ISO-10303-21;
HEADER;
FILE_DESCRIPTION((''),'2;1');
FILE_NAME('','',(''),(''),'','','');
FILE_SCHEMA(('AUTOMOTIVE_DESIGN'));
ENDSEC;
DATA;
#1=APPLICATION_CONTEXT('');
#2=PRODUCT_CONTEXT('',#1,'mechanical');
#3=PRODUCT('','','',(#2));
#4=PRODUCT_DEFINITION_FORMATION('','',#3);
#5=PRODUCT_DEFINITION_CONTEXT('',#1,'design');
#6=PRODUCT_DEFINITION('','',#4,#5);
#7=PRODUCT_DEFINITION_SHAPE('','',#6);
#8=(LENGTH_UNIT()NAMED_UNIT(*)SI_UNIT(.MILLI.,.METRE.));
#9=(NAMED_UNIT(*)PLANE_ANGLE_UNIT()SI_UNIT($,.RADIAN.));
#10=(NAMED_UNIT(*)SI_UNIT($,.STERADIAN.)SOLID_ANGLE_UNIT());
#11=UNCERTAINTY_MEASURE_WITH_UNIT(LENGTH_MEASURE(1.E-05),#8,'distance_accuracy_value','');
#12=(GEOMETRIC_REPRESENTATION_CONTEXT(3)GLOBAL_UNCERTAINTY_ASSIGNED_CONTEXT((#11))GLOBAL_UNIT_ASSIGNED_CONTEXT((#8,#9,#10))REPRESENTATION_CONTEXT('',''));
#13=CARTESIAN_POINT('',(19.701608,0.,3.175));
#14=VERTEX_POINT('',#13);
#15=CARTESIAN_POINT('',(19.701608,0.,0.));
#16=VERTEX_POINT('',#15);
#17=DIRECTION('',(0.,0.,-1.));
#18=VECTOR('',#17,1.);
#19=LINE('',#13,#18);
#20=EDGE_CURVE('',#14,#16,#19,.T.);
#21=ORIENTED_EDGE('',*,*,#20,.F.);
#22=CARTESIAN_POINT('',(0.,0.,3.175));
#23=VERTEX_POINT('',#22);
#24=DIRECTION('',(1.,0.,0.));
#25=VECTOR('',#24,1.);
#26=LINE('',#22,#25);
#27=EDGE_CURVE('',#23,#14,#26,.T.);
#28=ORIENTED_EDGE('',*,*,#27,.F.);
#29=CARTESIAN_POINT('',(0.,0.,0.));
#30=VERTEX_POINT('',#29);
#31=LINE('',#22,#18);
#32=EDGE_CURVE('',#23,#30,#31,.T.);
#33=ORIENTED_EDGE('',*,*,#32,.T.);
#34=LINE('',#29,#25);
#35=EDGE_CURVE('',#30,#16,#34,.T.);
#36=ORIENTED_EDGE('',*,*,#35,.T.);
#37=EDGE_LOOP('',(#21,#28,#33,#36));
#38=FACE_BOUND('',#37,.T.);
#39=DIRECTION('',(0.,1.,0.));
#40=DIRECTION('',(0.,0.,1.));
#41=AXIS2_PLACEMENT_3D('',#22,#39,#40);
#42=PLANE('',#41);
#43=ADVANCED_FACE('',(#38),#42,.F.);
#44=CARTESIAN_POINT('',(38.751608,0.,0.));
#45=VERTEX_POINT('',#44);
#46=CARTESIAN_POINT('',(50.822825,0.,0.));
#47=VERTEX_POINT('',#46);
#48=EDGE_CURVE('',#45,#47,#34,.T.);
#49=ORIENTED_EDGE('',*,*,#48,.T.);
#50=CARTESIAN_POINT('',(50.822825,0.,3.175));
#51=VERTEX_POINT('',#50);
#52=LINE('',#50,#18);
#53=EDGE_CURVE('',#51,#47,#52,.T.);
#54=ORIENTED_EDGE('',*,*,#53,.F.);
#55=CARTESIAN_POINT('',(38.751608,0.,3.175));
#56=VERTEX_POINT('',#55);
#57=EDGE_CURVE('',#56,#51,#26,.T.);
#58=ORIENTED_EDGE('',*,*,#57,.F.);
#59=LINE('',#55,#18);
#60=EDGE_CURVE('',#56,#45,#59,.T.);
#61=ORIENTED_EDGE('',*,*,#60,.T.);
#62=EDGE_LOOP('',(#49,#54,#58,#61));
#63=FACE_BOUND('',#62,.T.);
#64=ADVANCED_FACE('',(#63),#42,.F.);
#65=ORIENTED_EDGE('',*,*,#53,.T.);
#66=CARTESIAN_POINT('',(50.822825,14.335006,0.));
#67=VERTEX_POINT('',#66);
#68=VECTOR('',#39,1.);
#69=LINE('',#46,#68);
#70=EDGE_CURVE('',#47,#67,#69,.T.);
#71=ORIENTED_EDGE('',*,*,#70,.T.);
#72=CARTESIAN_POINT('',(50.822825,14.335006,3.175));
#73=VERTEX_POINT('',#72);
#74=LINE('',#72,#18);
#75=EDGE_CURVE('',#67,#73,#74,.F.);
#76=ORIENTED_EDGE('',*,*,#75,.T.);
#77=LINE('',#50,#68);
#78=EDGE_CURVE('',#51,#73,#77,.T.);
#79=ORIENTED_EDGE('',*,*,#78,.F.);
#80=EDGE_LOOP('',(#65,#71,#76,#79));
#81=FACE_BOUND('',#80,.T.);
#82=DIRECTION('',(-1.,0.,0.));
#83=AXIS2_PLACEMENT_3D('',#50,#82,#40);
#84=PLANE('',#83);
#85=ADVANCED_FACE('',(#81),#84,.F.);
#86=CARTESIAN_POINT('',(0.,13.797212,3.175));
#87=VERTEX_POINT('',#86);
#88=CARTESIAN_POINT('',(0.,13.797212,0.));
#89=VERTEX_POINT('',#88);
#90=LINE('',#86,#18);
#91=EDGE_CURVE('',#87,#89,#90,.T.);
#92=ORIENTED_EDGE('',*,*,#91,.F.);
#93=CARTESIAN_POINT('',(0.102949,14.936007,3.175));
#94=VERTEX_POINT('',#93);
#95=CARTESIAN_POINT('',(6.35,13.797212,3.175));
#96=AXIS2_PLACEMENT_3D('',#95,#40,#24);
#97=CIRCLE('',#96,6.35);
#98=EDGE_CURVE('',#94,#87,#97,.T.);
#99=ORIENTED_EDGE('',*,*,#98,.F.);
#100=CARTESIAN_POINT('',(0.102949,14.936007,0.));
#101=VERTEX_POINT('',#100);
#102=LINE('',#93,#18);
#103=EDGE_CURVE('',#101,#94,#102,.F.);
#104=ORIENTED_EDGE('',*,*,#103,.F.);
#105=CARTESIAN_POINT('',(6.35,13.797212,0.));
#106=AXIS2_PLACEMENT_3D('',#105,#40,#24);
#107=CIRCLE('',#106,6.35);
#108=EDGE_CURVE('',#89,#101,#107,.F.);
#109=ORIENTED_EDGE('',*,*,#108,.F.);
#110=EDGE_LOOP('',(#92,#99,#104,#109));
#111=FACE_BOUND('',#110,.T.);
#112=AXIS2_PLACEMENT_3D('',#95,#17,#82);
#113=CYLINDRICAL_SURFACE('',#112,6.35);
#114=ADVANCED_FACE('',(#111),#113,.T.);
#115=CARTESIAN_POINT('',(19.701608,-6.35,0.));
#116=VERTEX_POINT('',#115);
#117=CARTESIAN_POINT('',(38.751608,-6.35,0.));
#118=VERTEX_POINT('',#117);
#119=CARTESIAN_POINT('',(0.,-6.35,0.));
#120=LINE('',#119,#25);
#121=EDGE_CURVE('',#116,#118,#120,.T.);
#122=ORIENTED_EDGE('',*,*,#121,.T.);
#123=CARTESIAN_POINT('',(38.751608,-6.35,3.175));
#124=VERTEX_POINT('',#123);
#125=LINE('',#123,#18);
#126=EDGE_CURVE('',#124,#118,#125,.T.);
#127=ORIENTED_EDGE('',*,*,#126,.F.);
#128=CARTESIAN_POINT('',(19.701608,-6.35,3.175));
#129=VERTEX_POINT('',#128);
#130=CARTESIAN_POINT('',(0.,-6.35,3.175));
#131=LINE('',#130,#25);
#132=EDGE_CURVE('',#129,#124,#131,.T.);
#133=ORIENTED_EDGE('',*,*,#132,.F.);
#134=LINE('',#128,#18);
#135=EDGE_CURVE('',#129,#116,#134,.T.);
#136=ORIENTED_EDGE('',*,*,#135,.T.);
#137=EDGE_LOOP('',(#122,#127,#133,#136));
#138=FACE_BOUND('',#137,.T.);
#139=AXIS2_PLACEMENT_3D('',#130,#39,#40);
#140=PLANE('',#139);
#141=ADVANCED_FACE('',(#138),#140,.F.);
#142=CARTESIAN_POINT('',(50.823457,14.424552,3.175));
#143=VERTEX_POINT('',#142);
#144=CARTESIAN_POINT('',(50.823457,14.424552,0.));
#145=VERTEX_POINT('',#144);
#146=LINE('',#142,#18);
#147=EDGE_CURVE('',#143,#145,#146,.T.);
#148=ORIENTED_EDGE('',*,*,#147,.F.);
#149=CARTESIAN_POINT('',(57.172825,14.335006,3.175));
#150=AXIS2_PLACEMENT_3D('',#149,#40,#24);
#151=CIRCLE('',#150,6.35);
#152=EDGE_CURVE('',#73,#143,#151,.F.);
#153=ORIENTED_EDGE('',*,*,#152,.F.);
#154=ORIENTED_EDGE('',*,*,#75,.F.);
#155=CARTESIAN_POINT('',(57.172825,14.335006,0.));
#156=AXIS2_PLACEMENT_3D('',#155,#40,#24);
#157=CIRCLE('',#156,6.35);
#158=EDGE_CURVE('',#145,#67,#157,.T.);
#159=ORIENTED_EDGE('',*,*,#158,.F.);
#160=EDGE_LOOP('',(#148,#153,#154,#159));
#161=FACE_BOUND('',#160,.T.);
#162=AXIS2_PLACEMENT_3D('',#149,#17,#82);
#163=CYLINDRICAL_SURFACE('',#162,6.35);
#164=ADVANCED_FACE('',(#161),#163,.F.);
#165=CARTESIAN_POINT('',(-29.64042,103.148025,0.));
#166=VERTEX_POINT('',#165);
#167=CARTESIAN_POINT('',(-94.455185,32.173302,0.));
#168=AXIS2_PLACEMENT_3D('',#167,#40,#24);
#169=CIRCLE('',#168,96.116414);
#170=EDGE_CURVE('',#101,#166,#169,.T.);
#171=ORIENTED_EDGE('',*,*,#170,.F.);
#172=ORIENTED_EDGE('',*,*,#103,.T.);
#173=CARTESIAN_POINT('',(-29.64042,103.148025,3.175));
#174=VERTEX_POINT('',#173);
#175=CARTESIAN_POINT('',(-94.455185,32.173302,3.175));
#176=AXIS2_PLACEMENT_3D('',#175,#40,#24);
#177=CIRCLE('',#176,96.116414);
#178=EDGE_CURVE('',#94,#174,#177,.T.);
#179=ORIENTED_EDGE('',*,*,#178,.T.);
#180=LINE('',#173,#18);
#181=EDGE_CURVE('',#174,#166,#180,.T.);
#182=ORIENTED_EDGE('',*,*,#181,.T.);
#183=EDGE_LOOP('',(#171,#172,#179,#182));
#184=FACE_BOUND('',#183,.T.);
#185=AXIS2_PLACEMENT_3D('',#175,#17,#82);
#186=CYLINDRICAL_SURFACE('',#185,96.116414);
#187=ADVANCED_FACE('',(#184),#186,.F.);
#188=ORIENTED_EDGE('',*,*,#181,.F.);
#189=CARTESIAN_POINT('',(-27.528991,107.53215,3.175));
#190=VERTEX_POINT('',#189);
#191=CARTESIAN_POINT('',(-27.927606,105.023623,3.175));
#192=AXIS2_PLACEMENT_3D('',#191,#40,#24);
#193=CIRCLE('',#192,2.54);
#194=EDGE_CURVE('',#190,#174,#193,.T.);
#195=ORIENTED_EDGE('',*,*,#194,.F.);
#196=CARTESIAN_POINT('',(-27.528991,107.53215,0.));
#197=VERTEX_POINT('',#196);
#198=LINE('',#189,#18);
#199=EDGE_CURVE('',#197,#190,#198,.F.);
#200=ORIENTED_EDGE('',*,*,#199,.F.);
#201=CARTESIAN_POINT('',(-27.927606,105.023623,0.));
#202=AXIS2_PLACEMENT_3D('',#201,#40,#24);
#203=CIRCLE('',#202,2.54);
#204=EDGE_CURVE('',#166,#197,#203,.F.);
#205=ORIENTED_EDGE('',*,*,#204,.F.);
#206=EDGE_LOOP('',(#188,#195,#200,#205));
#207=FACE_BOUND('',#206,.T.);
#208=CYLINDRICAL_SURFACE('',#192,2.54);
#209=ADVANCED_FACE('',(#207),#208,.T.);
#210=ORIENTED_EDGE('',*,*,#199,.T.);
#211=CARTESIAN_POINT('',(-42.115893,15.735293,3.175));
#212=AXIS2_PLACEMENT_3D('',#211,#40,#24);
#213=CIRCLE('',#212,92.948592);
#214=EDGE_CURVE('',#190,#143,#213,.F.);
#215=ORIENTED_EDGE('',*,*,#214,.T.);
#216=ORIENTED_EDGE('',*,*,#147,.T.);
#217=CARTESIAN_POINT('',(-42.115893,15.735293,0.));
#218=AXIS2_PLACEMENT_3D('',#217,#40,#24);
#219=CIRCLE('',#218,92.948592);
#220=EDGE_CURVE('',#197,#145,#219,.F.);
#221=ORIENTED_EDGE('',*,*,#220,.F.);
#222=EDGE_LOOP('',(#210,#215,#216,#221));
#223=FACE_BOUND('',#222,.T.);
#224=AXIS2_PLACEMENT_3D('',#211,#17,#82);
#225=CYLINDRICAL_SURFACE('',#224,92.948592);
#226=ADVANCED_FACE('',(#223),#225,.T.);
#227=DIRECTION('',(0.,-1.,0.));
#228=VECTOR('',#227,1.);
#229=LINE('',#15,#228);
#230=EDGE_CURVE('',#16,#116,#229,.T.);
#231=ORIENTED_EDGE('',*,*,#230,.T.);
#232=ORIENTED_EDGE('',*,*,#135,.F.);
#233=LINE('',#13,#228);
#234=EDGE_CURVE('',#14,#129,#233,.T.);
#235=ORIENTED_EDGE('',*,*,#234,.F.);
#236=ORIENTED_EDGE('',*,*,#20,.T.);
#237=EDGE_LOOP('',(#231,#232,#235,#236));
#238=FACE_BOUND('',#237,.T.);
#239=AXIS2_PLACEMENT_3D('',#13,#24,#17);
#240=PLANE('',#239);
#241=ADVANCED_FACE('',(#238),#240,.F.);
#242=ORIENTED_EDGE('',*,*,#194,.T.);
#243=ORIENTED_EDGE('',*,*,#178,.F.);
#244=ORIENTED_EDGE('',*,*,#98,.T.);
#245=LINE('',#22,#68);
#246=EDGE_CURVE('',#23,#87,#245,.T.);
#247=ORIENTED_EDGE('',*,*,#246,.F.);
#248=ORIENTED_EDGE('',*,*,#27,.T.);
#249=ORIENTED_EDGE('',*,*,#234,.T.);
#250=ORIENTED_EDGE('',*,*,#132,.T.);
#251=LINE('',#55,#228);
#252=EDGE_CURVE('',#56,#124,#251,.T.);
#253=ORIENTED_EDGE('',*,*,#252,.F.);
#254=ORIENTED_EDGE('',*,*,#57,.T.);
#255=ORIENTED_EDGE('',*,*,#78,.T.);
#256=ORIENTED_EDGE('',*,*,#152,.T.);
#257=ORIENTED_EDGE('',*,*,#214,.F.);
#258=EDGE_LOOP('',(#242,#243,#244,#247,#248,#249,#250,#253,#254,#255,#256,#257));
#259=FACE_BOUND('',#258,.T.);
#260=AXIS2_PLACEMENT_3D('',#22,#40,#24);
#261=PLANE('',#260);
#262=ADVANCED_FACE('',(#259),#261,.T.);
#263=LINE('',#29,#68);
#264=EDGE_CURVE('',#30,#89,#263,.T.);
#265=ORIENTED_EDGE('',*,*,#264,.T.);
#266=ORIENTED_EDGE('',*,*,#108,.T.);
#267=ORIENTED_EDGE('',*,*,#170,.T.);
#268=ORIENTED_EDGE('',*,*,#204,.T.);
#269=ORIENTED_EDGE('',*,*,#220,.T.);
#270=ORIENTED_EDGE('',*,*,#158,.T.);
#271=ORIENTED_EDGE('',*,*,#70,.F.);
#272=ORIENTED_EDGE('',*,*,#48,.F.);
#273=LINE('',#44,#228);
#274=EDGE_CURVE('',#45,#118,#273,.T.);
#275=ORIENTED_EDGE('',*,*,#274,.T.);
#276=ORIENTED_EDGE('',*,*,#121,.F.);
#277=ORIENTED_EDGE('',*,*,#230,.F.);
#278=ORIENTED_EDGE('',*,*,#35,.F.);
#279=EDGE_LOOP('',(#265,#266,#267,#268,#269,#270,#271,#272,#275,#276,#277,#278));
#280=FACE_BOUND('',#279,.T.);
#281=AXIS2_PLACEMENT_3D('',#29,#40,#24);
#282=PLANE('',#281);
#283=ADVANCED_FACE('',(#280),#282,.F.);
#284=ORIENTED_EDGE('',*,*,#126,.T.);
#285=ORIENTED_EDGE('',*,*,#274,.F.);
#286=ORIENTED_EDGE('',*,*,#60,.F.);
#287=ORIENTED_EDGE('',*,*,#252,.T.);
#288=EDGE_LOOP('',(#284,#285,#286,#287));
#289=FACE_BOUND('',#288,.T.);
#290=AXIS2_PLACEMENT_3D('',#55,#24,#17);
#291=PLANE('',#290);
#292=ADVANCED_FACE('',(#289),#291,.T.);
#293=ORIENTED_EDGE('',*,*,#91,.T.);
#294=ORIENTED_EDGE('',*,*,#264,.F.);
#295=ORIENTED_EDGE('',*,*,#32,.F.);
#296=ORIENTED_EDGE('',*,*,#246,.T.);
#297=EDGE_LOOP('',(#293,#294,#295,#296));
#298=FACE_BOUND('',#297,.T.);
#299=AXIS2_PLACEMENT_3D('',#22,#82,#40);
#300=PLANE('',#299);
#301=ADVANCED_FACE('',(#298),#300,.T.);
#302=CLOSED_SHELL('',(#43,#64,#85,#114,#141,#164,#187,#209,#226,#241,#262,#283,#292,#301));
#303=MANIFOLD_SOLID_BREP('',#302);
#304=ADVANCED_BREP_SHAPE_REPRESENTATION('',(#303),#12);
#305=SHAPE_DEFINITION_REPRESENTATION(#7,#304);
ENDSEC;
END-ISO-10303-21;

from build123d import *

# Parameters (mm, degrees)
SKETCH1_W           = 19.05
SKETCH1_H           = 6.35
BOSS_EXTRUDE2_DEPTH = 3.175
FILLET2_R           = 6.35
FILLET3_R           = 2.54


with BuildPart() as part:
    # Sketch1 → Boss-Extrude2 (new body)
    with BuildSketch(Plane.XY):
        with BuildLine():
            ThreePointArc((-36.016198934, 108.483524357), (26.192200246, 78.770561743), (50.822825228, 14.380520674))
            Line((50.822825228, 14.380520674), (0, 14.380520674))
            ThreePointArc((0, 14.380520674), (-4.688817641, 66.529733376), (-36.016198934, 108.483524357))
        make_face()
        Polygon((0, 0), (19.701608207, 0), (38.751608207, 0), (50.822825228, 0), (50.822825228, 14.380520674), (0, 14.380520674), align=None)
        with Locations((29.226608207, -3.175)):
            Rectangle(SKETCH1_W, SKETCH1_H)
    extrude(amount=BOSS_EXTRUDE2_DEPTH)

    # Fillet2
    fillet2_edges = [part.edges().sort_by_distance(p)[0] for p in [
        (50.822825228, 14.380520674, 1.5875),
        (0, 14.380520674, 1.5875),
    ]]
    fillet(fillet2_edges, radius=FILLET2_R)

    # Fillet3
    fillet3_edges = [part.edges().sort_by_distance(p)[0] for p in [
        (-36.016198934, 108.483524357, 1.5875),
    ]]
    fillet(fillet3_edges, radius=FILLET3_R)


solid = part.part
